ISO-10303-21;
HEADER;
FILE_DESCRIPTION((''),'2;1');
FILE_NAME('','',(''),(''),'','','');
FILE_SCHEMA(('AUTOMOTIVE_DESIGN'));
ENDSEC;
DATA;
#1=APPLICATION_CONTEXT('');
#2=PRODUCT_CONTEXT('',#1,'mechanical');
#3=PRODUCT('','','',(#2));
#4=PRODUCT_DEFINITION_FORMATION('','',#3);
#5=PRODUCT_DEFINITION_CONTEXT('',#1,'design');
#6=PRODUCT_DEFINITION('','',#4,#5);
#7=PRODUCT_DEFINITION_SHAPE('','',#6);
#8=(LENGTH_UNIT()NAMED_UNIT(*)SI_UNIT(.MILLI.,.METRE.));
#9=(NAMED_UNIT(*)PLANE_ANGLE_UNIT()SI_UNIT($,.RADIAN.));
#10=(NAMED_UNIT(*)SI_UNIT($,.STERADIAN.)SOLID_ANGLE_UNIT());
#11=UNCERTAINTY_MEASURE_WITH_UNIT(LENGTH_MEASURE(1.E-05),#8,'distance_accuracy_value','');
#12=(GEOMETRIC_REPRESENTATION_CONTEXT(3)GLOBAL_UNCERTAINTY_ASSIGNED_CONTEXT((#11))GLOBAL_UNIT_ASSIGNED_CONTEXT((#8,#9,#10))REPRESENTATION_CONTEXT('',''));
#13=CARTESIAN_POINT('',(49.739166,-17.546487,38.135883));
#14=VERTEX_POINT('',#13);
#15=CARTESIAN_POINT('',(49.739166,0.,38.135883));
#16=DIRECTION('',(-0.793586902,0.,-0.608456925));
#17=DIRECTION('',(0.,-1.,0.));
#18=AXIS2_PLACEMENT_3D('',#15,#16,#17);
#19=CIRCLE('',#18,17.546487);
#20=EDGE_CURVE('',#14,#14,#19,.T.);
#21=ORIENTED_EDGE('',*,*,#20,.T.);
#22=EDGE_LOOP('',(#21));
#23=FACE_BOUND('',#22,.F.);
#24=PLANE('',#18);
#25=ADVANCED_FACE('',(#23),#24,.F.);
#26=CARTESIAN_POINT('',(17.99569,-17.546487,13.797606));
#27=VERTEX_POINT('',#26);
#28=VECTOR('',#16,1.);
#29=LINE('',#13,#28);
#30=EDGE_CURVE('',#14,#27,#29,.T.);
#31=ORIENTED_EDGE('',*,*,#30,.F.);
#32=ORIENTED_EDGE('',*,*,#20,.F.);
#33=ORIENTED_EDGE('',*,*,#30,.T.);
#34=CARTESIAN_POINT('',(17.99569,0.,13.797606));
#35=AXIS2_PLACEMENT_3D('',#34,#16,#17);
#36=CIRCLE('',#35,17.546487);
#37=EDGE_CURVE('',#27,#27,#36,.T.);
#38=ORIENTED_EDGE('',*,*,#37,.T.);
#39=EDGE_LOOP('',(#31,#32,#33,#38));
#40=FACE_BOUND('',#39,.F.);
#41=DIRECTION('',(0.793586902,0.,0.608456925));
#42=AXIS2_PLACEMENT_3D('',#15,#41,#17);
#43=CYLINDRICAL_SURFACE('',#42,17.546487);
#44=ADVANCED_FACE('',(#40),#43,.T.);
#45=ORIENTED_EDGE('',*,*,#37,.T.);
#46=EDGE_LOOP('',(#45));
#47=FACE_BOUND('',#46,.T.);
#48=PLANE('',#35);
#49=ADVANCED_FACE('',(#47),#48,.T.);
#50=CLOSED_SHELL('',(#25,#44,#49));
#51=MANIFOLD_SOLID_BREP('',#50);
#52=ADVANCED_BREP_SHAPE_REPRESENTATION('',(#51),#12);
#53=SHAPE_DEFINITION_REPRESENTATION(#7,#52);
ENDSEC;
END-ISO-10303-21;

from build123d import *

# Parameters (mm, degrees)
SKETCH001_R = 17.546487
PAD_DEPTH   = 40


with BuildPart() as part:
    # Sketch001 (on DatumPlane) → Pad (new body)
    with BuildSketch(Plane(origin=(49.739166, 0, 38.135883), x_dir=(0, -1, 0), z_dir=(-0.793587, 0, -0.608457))):
        Circle(SKETCH001_R)
    extrude(amount=PAD_DEPTH)


solid = part.part
